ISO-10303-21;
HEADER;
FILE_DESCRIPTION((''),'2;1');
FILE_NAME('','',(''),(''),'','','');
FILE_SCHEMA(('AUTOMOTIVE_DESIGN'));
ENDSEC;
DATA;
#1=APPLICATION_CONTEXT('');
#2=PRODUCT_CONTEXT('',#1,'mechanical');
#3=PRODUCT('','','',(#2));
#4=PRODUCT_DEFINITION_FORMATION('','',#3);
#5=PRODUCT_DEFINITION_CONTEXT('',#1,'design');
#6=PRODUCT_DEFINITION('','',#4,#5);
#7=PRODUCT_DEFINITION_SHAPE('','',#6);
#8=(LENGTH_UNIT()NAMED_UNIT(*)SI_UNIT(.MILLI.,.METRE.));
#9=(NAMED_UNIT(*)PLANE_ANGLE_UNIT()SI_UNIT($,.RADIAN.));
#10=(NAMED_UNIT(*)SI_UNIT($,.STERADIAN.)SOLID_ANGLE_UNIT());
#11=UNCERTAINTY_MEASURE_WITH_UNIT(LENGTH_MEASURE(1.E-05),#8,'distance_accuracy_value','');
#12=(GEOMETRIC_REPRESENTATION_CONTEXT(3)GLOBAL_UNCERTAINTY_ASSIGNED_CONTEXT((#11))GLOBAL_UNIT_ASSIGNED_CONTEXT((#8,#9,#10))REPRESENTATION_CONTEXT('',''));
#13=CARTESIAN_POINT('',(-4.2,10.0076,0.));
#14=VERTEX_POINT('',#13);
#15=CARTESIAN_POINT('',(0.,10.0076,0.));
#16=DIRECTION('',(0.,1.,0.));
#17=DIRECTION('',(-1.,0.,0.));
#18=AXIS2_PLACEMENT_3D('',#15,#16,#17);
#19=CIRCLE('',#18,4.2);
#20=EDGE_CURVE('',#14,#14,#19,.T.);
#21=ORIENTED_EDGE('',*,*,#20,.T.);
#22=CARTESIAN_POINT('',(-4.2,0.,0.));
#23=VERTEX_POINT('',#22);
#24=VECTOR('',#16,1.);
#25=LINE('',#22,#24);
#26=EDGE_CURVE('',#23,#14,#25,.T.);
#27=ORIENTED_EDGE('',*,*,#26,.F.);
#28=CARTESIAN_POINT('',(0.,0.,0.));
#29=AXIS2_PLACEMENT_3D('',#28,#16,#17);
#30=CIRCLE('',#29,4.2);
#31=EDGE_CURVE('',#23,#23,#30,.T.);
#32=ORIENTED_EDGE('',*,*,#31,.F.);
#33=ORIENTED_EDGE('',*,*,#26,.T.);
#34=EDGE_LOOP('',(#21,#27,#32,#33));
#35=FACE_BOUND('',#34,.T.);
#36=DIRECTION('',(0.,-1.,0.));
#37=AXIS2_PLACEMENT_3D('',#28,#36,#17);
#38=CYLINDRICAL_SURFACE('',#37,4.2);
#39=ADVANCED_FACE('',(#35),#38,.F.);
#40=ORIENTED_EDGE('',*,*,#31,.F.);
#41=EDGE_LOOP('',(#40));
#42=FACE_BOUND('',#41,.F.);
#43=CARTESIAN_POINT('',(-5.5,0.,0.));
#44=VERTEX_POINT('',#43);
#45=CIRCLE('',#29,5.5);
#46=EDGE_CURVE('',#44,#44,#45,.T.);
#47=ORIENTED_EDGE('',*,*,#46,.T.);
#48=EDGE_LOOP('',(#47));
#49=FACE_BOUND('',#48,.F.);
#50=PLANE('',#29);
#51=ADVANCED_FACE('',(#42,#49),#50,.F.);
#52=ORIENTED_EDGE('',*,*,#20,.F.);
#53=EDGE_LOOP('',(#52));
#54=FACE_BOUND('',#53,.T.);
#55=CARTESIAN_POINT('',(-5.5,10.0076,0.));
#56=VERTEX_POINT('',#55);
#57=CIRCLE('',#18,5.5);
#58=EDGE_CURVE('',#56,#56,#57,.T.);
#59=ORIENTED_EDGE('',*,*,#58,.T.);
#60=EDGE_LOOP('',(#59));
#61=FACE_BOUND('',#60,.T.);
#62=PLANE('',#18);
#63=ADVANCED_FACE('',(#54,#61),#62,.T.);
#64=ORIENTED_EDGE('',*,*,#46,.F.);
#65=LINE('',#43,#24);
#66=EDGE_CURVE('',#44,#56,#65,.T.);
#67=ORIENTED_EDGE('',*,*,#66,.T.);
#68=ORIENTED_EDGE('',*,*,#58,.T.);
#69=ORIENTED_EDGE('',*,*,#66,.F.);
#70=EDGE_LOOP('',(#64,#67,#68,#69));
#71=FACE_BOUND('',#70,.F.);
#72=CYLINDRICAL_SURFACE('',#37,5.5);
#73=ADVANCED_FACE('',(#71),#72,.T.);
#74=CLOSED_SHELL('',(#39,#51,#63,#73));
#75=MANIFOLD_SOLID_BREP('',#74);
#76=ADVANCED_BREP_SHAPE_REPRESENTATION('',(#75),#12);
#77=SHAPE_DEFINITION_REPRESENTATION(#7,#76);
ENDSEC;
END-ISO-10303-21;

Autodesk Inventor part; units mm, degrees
ref_plane "YZ Plane" through (0, 0, 0) normal (1, 0, 0) x (0, 1, 0)
ref_plane "XZ Plane" through (0, 0, 0) normal (0, 1, 0) x (-1, 0, 0)
ref_plane "XY Plane" through (0, 0, 0) normal (0, 0, 1) x (1, 0, 0)
sketch "Sketch1" plane through (0, 0, 0) normal (0, 1, 0) x (-1, 0, 0)
  circle A0 centre (0, 0) radius 4.2
  circle A1 centre (0, 0) radius 5.5
  dimension "d1" = 8.4
  dimension "d2" = 11
extrude "Extrusion1" add sketch "Sketch1" along normal blind 10.0076
properties part number "spacer for channel inside right"
